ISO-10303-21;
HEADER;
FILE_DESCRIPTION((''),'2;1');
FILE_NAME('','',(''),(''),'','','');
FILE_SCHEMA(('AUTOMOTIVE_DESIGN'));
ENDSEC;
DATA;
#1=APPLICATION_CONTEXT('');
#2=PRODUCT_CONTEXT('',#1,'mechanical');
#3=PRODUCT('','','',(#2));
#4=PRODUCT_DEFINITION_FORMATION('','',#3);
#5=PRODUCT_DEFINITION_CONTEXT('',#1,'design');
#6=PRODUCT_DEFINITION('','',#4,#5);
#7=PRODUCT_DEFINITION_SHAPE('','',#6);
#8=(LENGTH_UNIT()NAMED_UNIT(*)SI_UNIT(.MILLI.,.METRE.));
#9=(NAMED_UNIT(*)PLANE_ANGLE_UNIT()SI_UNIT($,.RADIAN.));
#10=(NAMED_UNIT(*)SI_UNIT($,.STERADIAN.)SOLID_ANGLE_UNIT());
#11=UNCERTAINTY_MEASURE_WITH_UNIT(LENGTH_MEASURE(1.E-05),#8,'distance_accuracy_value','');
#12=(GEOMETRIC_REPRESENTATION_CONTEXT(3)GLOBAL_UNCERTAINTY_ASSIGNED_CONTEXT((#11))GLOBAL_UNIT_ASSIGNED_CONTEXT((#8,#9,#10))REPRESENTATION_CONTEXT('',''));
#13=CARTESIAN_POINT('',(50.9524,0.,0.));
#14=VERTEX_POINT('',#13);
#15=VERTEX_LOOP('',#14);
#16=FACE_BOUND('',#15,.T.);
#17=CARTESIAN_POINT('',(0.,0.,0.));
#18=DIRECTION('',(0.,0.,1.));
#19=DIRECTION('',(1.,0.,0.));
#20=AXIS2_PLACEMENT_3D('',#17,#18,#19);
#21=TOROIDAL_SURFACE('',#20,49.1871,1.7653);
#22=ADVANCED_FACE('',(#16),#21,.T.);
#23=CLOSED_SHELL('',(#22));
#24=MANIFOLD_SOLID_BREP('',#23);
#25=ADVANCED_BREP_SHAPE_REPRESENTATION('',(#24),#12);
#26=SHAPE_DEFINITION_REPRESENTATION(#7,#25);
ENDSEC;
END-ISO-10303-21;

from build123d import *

# Parameters (mm, degrees)
SKETCH2_R = 1.7653


with BuildPart() as part:
    # Sketch2 → Revolve1 (revolve)
    with BuildSketch(Plane(origin=(0, 0, 0), x_dir=(1, 0, 0), z_dir=(0, 1, 0))):
        with Locations((-49.1871, 0)):
            Circle(SKETCH2_R)
    revolve(axis=Axis((0, 0, 1.7653), (0, 0, -1)))


solid = part.part
